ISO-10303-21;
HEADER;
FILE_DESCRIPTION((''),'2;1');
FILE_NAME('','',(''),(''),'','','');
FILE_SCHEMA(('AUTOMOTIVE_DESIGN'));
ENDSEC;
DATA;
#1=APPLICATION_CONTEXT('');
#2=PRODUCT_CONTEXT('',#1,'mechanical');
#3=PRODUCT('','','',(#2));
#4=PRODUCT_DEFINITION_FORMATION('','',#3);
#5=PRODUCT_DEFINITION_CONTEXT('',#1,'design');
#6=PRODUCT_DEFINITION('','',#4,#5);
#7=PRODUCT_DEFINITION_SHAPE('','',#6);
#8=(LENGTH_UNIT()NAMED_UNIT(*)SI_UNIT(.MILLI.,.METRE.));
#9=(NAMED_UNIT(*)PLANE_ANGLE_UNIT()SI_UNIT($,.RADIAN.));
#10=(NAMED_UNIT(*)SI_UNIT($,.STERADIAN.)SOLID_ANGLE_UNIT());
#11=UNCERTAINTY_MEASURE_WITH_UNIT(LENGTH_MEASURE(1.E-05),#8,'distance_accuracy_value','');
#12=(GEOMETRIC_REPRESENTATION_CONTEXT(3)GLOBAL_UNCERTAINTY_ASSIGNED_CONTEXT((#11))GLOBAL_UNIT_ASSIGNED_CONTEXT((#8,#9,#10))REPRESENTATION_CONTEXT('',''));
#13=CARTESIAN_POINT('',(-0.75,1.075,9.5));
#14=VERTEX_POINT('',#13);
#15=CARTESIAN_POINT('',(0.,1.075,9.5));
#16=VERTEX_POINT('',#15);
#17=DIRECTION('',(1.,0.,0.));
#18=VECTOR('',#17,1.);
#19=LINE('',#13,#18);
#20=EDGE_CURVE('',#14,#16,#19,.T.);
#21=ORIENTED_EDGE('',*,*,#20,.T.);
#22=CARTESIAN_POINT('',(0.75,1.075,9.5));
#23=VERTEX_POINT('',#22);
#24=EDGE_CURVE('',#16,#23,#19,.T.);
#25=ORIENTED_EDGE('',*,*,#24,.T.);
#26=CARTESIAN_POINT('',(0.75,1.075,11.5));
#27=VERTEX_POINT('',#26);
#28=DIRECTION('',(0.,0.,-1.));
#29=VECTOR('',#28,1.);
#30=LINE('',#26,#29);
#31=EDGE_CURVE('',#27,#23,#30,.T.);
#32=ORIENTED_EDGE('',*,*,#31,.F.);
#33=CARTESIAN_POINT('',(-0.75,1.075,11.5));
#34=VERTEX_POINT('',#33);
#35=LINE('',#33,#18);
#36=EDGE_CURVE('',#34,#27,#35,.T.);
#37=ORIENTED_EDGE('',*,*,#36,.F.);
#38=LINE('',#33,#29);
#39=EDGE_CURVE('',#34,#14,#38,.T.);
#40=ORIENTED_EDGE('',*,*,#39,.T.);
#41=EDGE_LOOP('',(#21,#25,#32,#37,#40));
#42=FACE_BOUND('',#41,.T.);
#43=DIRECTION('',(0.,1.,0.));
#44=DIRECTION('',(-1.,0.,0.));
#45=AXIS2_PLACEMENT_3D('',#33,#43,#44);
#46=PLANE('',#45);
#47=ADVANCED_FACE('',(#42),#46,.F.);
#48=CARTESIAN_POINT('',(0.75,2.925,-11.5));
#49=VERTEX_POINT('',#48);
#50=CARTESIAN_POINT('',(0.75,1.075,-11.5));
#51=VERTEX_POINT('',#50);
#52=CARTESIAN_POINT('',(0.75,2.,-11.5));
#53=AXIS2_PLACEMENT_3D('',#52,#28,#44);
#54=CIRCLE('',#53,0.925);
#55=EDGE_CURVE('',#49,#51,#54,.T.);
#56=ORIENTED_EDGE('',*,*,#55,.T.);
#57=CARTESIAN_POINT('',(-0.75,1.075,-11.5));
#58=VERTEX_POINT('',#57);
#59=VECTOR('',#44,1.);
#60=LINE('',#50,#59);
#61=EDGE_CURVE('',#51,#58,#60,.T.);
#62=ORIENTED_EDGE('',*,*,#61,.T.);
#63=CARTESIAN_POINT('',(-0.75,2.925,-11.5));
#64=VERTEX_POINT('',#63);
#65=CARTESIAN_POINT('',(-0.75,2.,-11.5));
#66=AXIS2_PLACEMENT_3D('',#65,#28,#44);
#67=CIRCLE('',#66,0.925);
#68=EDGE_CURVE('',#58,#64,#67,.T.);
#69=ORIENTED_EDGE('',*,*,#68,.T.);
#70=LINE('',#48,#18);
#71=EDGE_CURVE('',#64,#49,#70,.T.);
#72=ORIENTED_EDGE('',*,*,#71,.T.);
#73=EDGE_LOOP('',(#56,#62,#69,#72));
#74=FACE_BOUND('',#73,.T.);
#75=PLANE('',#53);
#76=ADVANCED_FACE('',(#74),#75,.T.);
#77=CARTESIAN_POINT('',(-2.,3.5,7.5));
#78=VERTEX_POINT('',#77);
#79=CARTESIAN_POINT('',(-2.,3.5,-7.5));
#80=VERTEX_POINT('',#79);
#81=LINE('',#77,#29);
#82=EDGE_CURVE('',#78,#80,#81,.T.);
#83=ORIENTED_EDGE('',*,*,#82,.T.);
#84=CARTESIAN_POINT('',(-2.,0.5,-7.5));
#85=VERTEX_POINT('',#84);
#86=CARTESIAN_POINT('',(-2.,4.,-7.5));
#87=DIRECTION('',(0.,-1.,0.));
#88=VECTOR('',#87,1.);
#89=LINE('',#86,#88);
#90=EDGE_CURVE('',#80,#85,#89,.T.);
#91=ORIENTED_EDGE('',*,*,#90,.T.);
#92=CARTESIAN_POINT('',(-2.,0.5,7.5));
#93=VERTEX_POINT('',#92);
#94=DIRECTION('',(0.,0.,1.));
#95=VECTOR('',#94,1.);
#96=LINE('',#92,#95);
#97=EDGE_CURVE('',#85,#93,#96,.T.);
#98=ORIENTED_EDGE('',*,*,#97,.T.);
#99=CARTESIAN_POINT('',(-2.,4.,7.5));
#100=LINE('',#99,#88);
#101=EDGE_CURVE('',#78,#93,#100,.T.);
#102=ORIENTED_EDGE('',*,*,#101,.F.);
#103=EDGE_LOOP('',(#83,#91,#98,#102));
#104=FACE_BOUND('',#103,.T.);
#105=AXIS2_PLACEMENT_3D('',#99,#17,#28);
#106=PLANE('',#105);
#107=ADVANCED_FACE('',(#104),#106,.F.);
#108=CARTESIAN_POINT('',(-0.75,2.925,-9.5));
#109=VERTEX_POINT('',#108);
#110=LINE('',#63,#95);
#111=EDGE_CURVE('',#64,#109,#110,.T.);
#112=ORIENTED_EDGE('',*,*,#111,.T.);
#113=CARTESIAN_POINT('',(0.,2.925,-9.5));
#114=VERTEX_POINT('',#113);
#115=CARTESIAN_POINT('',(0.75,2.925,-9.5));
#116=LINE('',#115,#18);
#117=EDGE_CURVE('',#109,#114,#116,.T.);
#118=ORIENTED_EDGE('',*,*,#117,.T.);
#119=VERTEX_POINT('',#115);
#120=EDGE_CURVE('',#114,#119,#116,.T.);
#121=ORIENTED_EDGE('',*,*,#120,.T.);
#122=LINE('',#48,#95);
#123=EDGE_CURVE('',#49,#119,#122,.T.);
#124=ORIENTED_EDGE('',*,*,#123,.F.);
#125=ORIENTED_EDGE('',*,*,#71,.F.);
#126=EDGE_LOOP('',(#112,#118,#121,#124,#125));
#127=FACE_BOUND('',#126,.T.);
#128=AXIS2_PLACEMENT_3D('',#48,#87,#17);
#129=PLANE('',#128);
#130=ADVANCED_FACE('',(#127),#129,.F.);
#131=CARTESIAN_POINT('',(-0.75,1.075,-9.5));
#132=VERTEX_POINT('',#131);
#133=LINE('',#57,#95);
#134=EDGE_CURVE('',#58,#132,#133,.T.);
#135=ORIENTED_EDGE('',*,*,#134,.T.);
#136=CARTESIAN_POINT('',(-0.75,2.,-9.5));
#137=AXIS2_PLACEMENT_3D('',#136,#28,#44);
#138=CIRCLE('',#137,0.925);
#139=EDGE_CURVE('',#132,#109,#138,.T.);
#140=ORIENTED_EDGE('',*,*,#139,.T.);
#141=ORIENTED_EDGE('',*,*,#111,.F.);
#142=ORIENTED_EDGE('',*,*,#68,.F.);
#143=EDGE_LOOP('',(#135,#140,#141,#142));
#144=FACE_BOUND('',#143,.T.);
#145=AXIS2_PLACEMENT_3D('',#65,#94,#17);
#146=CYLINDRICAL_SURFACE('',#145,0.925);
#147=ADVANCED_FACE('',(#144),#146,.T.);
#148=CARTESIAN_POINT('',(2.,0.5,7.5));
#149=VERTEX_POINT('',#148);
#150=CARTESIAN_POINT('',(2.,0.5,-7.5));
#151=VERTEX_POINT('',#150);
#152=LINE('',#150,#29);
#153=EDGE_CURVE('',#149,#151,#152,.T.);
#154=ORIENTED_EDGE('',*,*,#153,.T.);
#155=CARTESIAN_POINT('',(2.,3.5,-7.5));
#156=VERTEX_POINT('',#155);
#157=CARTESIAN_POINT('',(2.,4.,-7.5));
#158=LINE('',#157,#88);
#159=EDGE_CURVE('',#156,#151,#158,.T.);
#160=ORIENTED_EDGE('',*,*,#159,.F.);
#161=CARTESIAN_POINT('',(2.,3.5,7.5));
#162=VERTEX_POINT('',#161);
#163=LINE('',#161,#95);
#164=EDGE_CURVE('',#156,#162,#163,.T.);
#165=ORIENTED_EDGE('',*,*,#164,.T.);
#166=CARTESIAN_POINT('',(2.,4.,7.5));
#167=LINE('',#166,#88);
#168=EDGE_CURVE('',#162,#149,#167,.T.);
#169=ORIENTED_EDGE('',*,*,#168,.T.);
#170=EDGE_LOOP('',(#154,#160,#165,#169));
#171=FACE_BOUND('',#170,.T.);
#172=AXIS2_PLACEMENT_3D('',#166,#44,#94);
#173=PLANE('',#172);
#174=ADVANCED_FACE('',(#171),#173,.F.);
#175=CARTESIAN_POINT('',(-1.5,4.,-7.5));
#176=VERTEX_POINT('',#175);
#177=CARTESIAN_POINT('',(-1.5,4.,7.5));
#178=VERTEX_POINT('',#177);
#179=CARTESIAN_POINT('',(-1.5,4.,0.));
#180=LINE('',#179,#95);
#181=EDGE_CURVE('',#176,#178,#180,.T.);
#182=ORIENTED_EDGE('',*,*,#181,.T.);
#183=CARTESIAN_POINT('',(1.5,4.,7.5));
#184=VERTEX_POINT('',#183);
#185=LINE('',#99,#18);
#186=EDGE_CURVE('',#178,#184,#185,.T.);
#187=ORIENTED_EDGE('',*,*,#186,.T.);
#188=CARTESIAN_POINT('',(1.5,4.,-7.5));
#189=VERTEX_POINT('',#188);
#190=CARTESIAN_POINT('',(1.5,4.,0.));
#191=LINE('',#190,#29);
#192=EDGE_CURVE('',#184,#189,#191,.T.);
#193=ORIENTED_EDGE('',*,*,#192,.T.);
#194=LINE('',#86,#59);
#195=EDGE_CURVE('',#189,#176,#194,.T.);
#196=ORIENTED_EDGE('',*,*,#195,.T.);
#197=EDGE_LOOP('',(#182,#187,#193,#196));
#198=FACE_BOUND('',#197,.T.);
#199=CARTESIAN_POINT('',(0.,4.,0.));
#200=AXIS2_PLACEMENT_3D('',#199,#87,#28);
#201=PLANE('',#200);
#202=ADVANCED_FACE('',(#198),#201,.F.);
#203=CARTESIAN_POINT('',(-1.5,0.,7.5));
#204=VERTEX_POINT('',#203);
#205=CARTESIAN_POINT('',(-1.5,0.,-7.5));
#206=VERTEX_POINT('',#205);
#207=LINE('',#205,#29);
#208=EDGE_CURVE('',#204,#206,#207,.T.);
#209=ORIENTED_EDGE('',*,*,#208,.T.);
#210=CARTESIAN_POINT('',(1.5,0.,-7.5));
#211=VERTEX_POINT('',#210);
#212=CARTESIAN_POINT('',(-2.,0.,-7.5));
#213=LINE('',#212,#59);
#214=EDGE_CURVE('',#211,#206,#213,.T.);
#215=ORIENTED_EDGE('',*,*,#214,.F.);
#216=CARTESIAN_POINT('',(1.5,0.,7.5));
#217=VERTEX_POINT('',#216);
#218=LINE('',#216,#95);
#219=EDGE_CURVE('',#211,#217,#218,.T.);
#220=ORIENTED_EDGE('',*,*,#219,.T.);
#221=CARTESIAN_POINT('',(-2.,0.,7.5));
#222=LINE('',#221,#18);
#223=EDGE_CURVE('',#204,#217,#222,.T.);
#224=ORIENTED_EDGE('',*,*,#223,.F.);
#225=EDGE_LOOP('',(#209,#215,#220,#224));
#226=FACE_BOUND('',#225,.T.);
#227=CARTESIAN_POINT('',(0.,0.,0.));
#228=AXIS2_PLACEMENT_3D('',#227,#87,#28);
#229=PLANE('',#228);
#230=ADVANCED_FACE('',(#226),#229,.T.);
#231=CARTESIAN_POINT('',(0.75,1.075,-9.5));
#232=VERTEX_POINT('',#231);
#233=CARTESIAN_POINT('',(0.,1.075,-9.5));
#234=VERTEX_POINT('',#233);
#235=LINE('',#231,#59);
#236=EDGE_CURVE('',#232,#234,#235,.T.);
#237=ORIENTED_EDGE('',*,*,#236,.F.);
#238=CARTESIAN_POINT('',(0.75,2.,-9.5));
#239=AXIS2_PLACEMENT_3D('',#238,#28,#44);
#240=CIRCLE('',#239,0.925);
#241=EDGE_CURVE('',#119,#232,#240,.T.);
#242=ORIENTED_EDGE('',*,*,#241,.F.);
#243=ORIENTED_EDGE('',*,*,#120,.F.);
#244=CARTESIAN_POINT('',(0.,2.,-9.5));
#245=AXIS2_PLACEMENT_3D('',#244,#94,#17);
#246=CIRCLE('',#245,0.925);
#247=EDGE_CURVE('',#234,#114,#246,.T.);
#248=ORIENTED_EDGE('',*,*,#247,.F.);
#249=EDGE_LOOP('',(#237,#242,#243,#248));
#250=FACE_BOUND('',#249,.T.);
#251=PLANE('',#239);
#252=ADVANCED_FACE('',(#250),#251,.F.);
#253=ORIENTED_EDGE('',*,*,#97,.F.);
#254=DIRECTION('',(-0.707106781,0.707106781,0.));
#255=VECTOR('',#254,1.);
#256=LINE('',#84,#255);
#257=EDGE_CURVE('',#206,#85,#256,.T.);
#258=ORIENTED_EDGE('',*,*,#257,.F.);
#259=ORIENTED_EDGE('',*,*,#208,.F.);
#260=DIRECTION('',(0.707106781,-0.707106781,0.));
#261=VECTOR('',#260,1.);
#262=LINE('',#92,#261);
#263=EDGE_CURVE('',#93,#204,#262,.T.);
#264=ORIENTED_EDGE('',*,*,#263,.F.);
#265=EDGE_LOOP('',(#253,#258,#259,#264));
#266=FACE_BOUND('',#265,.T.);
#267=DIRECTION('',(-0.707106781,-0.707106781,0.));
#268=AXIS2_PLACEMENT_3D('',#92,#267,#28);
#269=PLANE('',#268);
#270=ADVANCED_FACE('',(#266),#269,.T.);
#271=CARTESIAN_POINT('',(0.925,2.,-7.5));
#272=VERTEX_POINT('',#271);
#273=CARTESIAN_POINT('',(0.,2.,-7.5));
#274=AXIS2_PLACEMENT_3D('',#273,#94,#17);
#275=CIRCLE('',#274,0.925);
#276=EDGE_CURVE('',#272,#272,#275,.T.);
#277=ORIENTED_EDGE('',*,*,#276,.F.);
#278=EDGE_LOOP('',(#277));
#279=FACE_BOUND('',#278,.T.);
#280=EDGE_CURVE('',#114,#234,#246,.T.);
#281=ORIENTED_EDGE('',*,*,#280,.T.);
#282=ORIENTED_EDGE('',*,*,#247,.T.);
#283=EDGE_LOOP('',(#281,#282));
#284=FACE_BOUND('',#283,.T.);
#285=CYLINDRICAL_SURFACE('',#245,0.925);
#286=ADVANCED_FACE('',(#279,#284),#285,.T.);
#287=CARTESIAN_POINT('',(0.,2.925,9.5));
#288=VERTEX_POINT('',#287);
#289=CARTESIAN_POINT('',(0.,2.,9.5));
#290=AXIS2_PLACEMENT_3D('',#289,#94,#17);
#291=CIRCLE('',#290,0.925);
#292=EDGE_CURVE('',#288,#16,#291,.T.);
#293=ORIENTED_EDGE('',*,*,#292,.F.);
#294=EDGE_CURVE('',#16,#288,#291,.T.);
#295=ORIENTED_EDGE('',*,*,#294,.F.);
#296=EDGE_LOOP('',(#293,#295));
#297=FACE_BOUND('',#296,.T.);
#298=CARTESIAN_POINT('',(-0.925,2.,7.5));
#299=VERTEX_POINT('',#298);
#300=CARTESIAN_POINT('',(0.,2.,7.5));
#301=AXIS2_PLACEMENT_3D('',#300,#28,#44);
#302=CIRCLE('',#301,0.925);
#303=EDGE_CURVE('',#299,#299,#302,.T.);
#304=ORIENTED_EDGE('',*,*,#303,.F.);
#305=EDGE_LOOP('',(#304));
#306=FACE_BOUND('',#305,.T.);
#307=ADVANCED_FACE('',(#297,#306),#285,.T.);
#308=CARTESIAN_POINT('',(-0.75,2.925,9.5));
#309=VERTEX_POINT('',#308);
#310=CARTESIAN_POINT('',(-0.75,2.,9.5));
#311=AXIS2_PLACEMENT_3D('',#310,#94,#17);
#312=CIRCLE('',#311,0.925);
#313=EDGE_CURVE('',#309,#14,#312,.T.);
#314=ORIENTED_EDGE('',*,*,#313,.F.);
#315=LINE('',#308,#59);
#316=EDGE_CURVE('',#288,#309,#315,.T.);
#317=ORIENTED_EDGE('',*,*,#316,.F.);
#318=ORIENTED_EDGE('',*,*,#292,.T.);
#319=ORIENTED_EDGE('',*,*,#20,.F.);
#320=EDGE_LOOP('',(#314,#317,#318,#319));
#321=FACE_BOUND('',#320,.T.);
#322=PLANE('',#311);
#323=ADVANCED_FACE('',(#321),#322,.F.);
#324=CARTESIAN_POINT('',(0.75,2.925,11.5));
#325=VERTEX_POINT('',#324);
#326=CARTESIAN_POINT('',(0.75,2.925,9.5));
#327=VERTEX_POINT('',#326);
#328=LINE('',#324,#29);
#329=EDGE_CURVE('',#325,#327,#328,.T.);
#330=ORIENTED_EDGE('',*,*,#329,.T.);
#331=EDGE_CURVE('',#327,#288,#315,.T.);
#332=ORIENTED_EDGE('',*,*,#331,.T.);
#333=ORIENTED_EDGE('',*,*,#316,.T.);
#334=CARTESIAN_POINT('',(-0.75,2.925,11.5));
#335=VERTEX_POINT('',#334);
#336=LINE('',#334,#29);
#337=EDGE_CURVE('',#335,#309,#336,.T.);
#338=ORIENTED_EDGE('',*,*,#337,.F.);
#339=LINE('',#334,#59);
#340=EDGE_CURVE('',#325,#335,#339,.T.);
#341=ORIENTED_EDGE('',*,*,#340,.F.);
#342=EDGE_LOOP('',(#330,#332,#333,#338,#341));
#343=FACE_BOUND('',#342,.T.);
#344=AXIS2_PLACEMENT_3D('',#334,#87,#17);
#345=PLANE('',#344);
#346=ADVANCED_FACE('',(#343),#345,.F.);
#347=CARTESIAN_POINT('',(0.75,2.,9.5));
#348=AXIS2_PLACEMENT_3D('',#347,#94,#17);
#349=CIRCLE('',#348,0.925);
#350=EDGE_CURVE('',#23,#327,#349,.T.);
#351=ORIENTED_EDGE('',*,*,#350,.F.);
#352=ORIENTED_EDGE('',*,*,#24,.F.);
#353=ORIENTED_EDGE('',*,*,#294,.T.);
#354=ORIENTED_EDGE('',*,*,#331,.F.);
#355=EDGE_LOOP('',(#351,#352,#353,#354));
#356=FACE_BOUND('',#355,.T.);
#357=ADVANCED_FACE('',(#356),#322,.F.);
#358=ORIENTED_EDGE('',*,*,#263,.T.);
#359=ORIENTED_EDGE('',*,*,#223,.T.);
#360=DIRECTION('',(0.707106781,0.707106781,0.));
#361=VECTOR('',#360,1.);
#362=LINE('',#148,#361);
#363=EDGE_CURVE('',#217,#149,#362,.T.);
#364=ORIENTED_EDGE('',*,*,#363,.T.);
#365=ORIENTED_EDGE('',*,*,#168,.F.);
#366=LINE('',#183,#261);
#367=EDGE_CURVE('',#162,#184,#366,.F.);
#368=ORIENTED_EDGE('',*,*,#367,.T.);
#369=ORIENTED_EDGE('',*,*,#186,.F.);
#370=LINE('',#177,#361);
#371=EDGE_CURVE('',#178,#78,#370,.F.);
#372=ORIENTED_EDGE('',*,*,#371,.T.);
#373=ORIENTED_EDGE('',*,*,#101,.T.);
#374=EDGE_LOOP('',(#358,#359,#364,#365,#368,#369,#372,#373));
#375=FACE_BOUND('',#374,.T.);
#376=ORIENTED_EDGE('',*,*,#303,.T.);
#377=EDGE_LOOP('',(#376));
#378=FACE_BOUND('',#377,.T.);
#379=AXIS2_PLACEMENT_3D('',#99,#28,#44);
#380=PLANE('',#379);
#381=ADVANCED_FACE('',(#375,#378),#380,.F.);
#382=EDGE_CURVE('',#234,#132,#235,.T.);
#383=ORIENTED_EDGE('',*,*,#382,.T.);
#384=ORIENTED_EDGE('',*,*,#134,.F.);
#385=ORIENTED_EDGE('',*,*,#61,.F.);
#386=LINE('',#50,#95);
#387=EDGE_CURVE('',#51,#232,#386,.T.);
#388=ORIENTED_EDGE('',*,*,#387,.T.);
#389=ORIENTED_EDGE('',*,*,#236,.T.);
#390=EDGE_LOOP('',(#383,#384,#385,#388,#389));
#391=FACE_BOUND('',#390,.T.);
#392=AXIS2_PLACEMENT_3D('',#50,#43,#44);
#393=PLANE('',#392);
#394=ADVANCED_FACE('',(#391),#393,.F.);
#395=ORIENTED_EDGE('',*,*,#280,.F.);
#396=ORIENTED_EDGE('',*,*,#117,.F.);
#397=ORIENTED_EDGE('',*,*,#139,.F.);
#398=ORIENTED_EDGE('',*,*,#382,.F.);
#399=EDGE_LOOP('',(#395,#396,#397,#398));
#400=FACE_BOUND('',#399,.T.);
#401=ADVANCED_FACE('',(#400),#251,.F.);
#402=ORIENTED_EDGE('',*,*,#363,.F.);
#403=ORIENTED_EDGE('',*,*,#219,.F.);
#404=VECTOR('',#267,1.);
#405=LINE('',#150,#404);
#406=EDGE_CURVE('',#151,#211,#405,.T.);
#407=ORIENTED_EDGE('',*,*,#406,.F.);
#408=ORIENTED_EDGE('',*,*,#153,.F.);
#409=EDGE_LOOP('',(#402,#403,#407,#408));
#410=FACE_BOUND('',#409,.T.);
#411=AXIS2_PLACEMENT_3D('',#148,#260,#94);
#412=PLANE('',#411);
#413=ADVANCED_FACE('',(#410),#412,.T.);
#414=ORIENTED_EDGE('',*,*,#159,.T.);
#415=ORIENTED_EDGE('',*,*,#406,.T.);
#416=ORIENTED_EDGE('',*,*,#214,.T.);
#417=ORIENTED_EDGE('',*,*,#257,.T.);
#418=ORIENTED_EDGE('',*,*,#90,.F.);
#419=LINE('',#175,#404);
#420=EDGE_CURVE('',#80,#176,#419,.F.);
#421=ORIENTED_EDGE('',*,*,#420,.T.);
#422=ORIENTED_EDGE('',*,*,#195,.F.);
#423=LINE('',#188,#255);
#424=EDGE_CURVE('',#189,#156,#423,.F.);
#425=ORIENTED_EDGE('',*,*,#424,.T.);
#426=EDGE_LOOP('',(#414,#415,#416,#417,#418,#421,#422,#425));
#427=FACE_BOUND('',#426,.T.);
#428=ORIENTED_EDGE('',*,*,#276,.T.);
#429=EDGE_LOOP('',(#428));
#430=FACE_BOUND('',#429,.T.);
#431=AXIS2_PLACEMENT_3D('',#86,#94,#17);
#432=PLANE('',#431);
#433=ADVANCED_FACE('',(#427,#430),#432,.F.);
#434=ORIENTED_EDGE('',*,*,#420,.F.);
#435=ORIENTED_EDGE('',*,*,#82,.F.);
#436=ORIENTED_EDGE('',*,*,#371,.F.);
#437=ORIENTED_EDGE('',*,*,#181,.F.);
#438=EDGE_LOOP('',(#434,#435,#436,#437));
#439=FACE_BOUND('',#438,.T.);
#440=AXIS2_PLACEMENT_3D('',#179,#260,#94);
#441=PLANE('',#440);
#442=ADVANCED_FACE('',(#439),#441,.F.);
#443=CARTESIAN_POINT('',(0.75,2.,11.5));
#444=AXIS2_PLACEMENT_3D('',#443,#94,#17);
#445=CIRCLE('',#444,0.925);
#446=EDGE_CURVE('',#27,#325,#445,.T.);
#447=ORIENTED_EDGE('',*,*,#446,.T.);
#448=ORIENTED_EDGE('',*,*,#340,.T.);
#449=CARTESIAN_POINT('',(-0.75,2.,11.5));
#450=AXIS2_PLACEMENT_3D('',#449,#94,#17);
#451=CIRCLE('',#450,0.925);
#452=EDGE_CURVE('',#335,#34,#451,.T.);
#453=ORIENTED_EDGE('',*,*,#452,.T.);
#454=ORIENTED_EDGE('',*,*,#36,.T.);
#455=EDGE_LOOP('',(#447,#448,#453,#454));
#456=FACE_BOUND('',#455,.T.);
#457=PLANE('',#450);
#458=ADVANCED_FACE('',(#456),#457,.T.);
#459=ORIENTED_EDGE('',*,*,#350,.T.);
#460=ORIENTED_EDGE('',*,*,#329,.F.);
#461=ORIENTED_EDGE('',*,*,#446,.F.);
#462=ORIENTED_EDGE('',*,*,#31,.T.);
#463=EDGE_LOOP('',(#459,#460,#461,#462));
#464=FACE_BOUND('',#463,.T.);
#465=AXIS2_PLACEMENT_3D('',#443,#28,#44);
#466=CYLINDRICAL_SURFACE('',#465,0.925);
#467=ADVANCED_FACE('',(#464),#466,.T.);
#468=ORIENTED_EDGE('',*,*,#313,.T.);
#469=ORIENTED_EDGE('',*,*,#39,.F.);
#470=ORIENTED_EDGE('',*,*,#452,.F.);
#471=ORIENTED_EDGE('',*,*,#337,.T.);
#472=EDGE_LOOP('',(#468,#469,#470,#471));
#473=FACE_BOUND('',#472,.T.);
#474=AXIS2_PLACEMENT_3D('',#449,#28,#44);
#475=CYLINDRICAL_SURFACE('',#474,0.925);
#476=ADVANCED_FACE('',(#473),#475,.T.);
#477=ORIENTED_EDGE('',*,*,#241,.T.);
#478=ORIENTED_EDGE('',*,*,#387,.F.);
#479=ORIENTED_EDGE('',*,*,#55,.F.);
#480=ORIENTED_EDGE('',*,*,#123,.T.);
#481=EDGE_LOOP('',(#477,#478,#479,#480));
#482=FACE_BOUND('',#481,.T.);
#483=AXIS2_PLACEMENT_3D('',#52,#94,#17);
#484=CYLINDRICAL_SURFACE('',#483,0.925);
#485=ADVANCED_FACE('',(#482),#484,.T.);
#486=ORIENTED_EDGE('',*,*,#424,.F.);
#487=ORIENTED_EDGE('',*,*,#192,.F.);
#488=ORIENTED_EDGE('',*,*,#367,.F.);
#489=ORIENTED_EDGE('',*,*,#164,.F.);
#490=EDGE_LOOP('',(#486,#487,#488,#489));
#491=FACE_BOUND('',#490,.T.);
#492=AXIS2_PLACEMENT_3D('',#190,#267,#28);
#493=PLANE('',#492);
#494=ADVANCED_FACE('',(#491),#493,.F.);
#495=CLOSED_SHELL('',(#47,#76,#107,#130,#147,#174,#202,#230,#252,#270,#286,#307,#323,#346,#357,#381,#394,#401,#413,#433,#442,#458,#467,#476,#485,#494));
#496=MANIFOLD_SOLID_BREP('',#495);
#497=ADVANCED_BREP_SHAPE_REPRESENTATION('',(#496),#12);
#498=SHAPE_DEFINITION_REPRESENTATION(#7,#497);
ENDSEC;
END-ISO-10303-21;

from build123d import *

# Parameters (mm, degrees)
SKETCH1_W                = 4
SKETCH1_H                = 15
BOSS_EXTRUDE1_DEPTH      = 4
SKETCH2_R                = 0.925
BOSS_EXTRUDE2_DEPTH      = 2
BOSS_EXTRUDE2_DEPTH_BACK = 17
CHAMFER1_SIZE            = 0.5
BOSS_EXTRUDE3_DEPTH      = 2
BOSS_EXTRUDE4_DEPTH      = 2


with BuildPart() as part:
    # Sketch1 → Boss-Extrude1 (new body)
    with BuildSketch(Plane(origin=(0, 0, 0), x_dir=(1, 0, 0), z_dir=(0, 1, 0))):
        Rectangle(SKETCH1_W, SKETCH1_H)
    extrude(amount=BOSS_EXTRUDE1_DEPTH)

    # Sketch2 → Boss-Extrude2 (add, two sides)
    with BuildSketch(Plane.XY.offset(7.5)) as boss_extrude2_sk:
        with Locations((0, 2)):
            Circle(SKETCH2_R)
    extrude(amount=BOSS_EXTRUDE2_DEPTH)
    extrude(boss_extrude2_sk.sketch, amount=-BOSS_EXTRUDE2_DEPTH_BACK)

    # Chamfer1
    chamfer1_edges = [part.edges().sort_by_distance(p)[0] for p in [
        (-2, 4, 0),
        (2, 4, 0),
        (-2, 0, 0),
        (2, 0, 0),
    ]]
    chamfer(chamfer1_edges, length=CHAMFER1_SIZE)

    # Sketch3 → Boss-Extrude3 (add)
    with BuildSketch(Plane.XY.offset(9.5)):
        with BuildLine():
            Line((-0.75, 2.925), (0.75, 2.925))
            ThreePointArc((0.75, 2.925), (1.675, 2), (0.75, 1.075))
            Line((0.75, 1.075), (-0.75, 1.075))
            ThreePointArc((-0.75, 1.075), (-1.675, 2), (-0.75, 2.925))
        make_face()
    extrude(amount=BOSS_EXTRUDE3_DEPTH)

    # Sketch4 → Boss-Extrude4 (add)
    with BuildSketch(Plane(origin=(0, 0, -9.5), x_dir=(-1, 0, 0), z_dir=(0, 0, -1))):
        with BuildLine():
            Line((-0.75, 2.925), (0.75, 2.925))
            ThreePointArc((0.75, 2.925), (1.675, 2), (0.75, 1.075))
            Line((0.75, 1.075), (-0.75, 1.075))
            ThreePointArc((-0.75, 1.075), (-1.675, 2), (-0.75, 2.925))
        make_face()
    extrude(amount=BOSS_EXTRUDE4_DEPTH)


solid = part.part
